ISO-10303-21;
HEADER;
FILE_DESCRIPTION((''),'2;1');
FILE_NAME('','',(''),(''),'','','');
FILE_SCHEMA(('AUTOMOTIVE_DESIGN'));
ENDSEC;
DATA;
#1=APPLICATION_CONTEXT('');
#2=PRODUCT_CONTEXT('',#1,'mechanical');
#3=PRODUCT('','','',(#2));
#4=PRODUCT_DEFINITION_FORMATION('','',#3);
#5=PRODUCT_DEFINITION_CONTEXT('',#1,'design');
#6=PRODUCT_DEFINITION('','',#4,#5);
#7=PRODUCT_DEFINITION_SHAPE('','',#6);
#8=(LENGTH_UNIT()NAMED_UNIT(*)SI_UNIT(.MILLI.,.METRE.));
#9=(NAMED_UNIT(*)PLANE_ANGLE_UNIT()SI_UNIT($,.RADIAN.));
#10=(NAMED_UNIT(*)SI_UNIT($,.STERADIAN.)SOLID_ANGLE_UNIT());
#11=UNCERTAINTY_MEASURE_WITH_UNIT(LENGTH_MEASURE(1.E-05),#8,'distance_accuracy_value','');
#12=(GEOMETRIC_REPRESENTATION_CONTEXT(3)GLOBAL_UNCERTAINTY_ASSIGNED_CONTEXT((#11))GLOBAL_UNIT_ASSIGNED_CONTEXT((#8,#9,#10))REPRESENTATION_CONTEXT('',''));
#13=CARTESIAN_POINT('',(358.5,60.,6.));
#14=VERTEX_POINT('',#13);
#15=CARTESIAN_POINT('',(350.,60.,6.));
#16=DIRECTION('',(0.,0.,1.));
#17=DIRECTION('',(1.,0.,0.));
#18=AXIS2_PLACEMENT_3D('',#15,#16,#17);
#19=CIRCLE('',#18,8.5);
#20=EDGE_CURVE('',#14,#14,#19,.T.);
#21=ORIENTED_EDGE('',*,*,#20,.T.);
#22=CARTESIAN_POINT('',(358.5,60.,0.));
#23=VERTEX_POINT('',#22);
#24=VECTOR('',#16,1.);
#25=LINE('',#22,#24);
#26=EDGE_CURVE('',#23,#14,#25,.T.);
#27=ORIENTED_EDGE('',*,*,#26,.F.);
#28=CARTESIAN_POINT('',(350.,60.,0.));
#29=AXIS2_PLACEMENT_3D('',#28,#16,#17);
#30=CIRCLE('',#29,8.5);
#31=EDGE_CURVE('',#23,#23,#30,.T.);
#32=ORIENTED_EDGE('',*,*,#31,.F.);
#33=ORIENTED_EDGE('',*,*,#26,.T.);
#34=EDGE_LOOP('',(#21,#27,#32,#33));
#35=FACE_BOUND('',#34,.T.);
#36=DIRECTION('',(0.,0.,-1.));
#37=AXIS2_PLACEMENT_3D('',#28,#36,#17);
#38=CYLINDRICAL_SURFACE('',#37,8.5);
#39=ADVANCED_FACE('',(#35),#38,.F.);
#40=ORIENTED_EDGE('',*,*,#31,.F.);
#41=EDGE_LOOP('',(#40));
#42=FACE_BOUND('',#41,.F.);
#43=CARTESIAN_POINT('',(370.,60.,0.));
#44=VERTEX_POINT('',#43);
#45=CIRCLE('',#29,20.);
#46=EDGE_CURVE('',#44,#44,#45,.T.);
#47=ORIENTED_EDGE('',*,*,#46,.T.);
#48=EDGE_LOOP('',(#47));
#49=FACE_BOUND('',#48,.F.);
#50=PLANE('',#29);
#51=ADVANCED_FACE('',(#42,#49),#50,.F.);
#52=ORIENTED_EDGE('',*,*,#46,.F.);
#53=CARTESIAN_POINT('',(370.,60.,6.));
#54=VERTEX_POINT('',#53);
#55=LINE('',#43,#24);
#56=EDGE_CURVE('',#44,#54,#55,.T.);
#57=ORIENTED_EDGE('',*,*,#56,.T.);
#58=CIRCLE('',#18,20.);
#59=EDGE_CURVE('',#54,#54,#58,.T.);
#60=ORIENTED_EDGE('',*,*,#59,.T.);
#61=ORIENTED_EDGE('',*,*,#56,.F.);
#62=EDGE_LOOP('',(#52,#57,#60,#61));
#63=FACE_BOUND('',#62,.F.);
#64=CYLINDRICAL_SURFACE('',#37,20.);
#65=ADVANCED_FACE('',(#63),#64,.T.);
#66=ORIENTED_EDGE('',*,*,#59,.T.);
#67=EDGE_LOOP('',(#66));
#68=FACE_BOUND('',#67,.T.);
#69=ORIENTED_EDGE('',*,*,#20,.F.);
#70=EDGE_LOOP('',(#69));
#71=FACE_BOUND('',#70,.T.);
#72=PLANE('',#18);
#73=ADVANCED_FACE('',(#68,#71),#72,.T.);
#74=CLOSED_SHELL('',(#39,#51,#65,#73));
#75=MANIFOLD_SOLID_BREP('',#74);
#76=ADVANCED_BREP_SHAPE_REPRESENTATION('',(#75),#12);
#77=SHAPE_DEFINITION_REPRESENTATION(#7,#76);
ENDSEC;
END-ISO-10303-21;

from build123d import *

# Parameters (mm, degrees)
SKETCH1_R           = 20
SKETCH1_R_2         = 8.5
BOSS_EXTRUDE1_DEPTH = 6


with BuildPart() as part:
    # Sketch1 → Boss-Extrude1 (new body)
    with BuildSketch(Plane.XY):
        with Locations((350, 60)):
            Circle(SKETCH1_R)
        with Locations((350, 60)):
            Circle(SKETCH1_R_2, mode=Mode.SUBTRACT)
    extrude(amount=BOSS_EXTRUDE1_DEPTH)


solid = part.part
